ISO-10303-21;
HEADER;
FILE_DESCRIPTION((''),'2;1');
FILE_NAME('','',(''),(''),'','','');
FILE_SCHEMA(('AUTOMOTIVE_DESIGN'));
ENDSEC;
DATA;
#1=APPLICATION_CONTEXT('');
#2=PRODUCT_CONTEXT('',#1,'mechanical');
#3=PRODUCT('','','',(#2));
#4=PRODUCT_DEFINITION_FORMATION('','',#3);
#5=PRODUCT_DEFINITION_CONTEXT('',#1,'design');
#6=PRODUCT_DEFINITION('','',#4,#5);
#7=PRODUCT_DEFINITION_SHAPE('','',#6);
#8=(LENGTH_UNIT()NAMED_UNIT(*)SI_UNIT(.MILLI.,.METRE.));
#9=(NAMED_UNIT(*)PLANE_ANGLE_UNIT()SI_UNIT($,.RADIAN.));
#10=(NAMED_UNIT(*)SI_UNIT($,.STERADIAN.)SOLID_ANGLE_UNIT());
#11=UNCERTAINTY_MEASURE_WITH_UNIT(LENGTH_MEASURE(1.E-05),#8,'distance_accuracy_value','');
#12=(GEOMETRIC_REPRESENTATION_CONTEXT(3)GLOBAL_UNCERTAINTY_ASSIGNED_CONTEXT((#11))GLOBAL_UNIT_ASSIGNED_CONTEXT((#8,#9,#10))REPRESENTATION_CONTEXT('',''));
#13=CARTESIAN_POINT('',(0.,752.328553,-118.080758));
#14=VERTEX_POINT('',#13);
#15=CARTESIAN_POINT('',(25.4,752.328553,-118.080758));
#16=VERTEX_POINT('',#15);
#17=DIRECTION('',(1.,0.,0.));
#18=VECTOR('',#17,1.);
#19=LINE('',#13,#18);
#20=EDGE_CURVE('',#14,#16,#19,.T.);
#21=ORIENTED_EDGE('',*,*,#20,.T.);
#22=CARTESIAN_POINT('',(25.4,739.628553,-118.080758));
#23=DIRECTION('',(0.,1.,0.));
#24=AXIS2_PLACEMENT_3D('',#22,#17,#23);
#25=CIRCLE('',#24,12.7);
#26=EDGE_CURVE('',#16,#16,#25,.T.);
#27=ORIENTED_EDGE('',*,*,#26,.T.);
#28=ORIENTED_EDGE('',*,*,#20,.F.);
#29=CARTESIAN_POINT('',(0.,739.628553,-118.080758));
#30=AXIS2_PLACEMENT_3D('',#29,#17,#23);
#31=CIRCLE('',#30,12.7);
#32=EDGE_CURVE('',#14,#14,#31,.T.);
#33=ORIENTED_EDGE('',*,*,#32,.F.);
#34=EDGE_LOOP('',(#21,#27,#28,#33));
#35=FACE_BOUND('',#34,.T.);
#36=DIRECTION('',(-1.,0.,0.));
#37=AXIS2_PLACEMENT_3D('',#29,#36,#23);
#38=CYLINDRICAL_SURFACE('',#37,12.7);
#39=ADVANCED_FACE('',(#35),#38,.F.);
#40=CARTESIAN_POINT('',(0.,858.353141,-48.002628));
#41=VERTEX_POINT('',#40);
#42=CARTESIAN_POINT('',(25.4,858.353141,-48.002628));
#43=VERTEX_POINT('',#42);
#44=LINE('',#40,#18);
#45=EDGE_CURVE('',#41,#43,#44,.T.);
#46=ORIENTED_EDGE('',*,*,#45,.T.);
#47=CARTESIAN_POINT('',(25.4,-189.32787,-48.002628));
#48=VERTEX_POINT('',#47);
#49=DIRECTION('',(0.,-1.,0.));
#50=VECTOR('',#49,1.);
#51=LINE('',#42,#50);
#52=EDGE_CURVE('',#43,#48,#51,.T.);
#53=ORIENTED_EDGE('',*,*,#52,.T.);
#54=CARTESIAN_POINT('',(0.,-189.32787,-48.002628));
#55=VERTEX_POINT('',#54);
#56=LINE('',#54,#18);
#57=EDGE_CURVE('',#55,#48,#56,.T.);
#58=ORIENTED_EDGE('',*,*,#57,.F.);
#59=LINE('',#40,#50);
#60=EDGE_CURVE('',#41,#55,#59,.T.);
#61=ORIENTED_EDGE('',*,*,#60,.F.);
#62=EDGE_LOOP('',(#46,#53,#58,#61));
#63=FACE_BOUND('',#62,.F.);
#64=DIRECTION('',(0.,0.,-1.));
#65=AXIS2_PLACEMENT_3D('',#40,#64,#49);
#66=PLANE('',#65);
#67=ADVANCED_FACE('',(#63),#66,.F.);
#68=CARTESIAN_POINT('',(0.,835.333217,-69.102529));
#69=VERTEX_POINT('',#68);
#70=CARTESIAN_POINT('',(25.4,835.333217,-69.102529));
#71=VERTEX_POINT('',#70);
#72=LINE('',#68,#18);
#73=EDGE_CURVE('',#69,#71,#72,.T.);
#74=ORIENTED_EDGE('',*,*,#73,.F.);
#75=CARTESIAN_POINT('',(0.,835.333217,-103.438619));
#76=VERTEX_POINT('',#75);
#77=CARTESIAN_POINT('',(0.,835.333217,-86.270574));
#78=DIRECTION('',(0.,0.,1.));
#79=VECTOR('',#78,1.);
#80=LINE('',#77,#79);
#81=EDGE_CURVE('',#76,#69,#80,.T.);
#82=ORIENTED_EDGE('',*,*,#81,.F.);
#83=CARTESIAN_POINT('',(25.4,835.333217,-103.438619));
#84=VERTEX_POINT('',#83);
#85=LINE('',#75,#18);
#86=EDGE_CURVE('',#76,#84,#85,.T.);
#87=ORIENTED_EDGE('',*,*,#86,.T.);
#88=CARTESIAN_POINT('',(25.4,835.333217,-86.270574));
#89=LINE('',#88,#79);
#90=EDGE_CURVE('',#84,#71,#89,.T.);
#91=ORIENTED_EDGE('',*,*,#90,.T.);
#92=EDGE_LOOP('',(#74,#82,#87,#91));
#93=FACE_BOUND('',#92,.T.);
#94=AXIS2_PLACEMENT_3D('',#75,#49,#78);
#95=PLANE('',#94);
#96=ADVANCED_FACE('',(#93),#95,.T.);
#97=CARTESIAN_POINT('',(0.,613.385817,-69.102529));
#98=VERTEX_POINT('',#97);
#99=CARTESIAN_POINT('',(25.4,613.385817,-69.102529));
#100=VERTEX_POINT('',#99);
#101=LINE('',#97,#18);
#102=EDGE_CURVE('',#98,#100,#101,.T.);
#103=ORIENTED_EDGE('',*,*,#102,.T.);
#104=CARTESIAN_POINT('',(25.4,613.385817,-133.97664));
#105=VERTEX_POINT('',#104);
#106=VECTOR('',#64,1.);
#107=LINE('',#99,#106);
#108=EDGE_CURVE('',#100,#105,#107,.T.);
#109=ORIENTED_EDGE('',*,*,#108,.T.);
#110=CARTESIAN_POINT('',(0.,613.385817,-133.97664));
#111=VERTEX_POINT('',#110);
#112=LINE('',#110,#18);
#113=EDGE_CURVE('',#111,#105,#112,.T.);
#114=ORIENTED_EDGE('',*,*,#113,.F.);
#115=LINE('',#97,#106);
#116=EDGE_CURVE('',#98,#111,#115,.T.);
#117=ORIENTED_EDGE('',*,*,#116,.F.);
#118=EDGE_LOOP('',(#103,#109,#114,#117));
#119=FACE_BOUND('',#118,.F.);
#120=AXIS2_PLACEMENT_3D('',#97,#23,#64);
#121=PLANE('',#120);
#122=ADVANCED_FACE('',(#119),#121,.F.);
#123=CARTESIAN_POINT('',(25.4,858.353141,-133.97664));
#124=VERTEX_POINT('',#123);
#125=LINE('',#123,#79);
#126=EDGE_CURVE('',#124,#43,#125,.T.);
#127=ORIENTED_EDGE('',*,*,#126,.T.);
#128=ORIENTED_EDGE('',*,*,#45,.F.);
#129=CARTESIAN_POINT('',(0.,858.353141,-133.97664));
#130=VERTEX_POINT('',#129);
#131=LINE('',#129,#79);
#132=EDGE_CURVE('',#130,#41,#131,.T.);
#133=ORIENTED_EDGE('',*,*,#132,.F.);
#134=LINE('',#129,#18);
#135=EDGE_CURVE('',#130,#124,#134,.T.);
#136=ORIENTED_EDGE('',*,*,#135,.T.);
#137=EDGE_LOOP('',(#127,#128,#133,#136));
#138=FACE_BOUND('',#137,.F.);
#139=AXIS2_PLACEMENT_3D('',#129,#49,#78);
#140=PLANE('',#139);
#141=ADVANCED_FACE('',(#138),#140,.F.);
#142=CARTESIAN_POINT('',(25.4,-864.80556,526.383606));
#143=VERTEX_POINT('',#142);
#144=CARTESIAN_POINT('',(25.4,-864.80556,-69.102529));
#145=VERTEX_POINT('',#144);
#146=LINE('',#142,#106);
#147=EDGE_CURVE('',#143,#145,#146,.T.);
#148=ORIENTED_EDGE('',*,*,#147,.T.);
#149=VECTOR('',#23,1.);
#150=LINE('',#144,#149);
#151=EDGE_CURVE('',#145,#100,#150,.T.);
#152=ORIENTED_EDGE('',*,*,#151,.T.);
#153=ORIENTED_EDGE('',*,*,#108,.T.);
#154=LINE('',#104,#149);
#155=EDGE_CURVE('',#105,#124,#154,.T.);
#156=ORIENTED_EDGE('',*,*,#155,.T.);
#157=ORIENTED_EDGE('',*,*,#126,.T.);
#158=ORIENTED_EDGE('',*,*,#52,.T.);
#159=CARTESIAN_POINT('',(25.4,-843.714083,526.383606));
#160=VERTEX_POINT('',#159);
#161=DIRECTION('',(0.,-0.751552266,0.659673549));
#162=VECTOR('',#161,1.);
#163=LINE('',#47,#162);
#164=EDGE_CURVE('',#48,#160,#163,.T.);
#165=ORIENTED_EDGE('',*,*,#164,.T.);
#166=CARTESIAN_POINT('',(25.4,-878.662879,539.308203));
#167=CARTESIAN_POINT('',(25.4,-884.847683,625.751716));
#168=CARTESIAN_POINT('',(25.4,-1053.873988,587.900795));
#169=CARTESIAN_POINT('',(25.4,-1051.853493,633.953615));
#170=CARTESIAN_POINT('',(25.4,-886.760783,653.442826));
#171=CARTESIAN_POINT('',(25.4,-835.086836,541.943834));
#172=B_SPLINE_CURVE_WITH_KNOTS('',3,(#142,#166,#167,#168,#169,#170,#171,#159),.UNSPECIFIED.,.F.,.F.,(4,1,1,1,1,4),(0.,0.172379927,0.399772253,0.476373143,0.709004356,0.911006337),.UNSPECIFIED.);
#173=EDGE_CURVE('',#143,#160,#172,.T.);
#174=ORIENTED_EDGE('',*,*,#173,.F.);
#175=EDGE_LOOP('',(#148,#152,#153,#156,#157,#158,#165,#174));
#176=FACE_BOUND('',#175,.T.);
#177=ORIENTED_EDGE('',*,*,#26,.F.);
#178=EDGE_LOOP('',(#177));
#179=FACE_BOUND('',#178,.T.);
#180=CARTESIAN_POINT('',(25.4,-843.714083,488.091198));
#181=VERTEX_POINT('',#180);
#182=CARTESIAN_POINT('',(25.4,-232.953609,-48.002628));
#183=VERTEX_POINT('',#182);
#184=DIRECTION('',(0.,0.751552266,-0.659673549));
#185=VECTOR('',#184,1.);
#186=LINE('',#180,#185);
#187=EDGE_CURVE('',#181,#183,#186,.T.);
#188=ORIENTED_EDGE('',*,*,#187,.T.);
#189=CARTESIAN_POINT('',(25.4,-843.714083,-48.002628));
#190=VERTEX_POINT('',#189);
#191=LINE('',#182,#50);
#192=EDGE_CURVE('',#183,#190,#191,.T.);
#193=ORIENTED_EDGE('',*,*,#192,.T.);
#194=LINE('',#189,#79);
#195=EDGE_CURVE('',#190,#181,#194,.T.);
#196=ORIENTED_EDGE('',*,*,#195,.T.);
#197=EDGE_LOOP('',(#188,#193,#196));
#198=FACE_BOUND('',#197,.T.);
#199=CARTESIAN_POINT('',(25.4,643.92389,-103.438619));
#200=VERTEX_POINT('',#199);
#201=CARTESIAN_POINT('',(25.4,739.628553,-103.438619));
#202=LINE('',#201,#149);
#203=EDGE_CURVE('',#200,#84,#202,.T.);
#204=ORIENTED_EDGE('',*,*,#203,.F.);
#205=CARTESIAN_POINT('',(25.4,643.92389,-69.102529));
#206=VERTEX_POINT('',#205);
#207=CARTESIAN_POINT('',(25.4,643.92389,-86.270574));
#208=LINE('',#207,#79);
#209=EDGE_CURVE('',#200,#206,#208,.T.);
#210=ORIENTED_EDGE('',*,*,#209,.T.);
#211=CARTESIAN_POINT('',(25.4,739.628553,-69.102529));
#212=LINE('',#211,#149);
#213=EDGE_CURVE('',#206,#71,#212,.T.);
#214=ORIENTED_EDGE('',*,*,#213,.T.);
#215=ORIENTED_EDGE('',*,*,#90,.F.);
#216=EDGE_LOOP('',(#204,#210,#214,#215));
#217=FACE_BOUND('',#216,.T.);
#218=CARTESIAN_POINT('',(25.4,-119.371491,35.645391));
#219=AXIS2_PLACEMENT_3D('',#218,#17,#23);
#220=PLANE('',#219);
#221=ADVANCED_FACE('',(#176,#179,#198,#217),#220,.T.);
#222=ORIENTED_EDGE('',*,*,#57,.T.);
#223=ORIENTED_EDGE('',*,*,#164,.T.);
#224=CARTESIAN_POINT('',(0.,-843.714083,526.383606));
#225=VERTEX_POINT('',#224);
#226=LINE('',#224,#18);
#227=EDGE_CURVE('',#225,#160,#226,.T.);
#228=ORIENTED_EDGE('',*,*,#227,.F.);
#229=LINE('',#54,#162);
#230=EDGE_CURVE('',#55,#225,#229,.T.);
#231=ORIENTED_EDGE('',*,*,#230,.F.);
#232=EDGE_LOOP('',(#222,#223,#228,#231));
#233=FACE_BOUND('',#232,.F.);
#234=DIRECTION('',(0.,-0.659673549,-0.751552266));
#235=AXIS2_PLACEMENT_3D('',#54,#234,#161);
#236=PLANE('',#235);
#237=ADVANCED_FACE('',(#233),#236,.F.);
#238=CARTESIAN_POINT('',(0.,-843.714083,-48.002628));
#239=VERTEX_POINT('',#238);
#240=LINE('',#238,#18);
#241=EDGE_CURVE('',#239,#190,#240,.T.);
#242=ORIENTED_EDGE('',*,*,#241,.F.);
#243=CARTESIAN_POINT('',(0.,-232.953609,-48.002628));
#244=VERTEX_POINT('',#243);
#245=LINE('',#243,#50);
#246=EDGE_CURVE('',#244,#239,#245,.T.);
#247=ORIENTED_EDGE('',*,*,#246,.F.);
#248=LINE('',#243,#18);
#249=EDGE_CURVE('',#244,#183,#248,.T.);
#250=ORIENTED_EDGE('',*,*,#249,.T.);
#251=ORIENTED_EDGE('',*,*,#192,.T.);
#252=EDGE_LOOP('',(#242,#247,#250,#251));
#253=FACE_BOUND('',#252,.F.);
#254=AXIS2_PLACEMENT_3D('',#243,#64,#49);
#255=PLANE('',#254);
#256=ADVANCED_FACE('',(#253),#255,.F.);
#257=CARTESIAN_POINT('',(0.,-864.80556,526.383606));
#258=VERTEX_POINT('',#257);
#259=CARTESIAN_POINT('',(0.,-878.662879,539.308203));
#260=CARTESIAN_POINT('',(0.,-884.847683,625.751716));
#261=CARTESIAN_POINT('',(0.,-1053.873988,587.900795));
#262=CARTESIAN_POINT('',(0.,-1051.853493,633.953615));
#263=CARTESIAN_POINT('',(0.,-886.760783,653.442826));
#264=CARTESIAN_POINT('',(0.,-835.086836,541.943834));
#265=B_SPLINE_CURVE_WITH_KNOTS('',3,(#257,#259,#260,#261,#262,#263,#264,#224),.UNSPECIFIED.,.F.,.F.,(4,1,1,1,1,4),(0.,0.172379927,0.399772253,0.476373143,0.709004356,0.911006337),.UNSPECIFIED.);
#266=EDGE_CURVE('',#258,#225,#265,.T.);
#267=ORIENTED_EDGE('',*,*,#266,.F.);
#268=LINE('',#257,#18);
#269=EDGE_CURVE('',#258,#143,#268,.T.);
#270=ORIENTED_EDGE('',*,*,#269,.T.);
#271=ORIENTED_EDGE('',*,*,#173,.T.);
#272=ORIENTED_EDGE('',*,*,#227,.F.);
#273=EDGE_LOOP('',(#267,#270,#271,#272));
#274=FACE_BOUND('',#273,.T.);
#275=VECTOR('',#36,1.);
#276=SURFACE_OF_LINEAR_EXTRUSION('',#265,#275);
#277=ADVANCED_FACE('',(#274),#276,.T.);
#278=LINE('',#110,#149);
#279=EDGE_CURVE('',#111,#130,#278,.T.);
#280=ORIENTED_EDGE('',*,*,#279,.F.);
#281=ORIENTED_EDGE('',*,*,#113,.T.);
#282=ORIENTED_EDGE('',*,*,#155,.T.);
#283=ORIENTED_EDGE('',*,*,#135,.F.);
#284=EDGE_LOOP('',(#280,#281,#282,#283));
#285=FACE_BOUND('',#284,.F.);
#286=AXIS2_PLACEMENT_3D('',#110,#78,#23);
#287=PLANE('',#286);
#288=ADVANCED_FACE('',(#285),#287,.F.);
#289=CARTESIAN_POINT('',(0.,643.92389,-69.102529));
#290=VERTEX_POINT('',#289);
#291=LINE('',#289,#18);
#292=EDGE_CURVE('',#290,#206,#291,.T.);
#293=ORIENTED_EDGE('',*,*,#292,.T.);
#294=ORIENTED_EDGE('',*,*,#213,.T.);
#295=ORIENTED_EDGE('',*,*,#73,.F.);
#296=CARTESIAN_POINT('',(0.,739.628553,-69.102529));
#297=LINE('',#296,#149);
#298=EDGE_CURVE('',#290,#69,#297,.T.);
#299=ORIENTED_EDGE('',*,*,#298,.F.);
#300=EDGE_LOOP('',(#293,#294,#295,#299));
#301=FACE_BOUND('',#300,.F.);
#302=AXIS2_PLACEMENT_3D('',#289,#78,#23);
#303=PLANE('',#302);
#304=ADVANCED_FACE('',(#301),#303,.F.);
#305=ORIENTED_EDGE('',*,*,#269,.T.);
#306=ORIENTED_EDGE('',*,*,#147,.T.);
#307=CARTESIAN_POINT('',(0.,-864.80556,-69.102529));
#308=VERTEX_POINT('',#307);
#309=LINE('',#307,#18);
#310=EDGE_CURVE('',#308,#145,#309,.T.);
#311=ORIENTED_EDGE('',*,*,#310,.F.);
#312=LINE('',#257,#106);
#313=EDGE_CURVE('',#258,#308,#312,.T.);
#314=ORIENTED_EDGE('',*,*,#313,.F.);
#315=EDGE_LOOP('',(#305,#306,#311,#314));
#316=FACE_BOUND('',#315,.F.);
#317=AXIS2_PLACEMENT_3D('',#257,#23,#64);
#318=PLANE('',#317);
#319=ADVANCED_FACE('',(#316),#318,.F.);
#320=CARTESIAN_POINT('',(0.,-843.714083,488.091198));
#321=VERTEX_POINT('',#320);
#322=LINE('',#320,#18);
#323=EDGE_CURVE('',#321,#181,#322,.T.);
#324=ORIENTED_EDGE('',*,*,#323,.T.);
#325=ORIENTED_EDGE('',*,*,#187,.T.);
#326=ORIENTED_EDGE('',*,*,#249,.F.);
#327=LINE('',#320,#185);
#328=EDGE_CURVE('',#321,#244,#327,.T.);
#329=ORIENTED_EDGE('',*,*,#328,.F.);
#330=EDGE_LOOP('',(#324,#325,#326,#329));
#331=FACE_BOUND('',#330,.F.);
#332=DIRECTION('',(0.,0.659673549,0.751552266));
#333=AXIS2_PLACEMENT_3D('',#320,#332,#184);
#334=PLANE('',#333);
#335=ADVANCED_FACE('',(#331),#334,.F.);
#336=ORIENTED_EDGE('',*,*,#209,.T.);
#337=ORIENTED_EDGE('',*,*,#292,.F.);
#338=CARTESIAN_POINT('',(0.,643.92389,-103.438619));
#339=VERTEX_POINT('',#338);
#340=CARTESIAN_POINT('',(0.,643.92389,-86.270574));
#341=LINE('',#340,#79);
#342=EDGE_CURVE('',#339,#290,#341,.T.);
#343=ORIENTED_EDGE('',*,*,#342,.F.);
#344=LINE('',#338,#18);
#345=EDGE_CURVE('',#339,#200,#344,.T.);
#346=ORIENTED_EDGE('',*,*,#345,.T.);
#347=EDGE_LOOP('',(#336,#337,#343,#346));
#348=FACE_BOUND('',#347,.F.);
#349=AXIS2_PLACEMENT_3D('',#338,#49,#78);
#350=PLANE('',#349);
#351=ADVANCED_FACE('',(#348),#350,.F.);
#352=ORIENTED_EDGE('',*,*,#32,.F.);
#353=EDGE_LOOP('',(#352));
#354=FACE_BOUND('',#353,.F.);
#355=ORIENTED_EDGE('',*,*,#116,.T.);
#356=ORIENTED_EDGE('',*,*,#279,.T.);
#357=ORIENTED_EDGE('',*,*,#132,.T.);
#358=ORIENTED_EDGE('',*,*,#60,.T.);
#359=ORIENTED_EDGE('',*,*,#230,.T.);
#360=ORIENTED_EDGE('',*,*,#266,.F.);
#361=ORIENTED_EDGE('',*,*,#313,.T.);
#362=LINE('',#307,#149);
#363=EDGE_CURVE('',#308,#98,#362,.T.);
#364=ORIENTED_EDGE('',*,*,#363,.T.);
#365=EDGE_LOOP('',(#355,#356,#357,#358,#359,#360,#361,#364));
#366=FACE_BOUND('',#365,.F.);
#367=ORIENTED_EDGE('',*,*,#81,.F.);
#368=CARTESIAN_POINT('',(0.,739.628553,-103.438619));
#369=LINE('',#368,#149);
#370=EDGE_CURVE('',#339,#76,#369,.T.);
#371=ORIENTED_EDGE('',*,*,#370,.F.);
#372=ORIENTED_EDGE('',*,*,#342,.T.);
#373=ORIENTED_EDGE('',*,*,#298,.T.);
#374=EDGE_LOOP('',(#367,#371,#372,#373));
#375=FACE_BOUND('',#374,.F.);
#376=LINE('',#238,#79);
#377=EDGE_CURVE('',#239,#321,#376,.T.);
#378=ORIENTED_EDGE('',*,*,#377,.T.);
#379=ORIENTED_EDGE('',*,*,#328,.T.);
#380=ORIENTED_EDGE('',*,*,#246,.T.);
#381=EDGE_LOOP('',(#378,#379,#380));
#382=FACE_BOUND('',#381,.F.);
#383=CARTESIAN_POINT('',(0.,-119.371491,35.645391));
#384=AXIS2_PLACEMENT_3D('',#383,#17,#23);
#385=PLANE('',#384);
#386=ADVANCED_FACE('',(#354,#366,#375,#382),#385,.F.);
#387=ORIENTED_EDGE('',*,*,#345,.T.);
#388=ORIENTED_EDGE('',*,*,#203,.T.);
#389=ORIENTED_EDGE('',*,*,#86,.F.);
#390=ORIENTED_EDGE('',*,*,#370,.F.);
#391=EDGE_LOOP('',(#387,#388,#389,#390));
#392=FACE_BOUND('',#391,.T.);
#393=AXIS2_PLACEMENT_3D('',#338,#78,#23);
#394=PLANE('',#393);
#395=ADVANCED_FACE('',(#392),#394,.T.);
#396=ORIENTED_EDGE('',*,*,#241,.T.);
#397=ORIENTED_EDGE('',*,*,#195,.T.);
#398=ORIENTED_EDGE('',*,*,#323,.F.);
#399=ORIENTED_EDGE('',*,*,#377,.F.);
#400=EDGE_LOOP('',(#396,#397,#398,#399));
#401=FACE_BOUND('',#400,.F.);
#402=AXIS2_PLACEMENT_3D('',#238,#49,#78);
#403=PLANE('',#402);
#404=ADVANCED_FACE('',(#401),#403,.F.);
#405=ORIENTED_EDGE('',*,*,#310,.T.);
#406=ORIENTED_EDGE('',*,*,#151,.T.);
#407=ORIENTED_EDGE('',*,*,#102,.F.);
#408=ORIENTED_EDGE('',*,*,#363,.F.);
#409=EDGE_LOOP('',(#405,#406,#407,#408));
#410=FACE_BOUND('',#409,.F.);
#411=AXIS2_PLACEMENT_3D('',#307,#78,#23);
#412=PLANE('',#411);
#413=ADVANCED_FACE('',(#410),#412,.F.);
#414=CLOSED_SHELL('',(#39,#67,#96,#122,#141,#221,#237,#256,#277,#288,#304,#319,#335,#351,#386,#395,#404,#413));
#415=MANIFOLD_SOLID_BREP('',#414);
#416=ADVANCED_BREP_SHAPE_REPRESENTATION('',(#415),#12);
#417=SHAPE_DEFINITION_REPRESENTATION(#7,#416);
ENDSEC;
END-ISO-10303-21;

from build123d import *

# Parameters (mm, degrees)
F0_R     = 12.7
F0_W     = 191.4093263388
F0_H     = 34.3360900151
F1_DEPTH = 25.4


with BuildPart() as f1:
    # F0 (on Right) → F1 (new body)
    with BuildSketch(Plane.YZ):
        with BuildLine():
            Line((-864.8055600628, -48.0026282412), (-864.8055600628, -69.1025285475))
            Line((-864.8055600628, -69.1025285475), (613.3858169228, -69.1025285475))
            Line((613.3858169228, -69.1025285475), (613.3858169228, -133.9766403796))
            Line((613.3858169228, -133.9766403796), (643.9238902211, -133.9766403796))
            Line((643.9238902211, -133.9766403796), (835.3332165599, -133.9766403796))
            Line((835.3332165599, -133.9766403796), (858.353141199, -133.9766403796))
            Line((858.353141199, -133.9766403796), (858.353141199, -69.1025285475))
            Line((858.353141199, -69.1025285475), (858.353141199, -48.0026282412))
            Line((858.353141199, -48.0026282412), (-189.3278699892, -48.0026282412))
            Line((-189.3278699892, -48.0026282412), (-843.7140825349, 526.3836055128))
            add(Edge.make_bspline(
                [(-843.7140825349, 526.3836055128), (-847.5148883285, 519.5284165615), (-857.6515162843, 519.7110926018), (-864.8055600628, 526.3836055128)],
                knots=[0.911006337, 0.911006337, 0.911006337, 0.911006337, 1, 1, 1, 1], degree=3))
            Line((-864.8055600628, 526.3836055128), (-864.8055600628, -48.0026282412))
        make_face()
        Polygon((-232.953608756, -48.0026282412), (-843.7140825349, -48.0026282412), (-843.7140825349, 488.0911975974), align=None, mode=Mode.SUBTRACT)
        with Locations((739.6285533905, -118.0807575583)):
            Circle(F0_R, mode=Mode.SUBTRACT)
        with Locations((739.6285533905, -86.2705735551)):
            Rectangle(F0_W, F0_H, mode=Mode.SUBTRACT)
        with BuildLine():
            add(Edge.make_bspline(
                [(-864.8055600628, 526.3836055128), (-878.6628786654, 539.3082031459), (-884.8476834548, 625.7517162965), (-1053.8739878138, 587.9007950436), (-1051.8534927515, 633.9536149114), (-886.7607826829, 653.4428264783), (-835.0868356806, 541.9438341927), (-843.7140825349, 526.3836055128)],
                knots=[0, 0, 0, 0, 0.1723799267, 0.3997722529, 0.4763731431, 0.7090043561, 0.911006337, 0.911006337, 0.911006337, 0.911006337], degree=3))
            add(Edge.make_bspline(
                [(-843.7140825349, 526.3836055128), (-847.5148883285, 519.5284165615), (-857.6515162843, 519.7110926018), (-864.8055600628, 526.3836055128)],
                knots=[0.911006337, 0.911006337, 0.911006337, 0.911006337, 1, 1, 1, 1], degree=3))
        make_face()
    extrude(amount=F1_DEPTH)


solid = f1.part
